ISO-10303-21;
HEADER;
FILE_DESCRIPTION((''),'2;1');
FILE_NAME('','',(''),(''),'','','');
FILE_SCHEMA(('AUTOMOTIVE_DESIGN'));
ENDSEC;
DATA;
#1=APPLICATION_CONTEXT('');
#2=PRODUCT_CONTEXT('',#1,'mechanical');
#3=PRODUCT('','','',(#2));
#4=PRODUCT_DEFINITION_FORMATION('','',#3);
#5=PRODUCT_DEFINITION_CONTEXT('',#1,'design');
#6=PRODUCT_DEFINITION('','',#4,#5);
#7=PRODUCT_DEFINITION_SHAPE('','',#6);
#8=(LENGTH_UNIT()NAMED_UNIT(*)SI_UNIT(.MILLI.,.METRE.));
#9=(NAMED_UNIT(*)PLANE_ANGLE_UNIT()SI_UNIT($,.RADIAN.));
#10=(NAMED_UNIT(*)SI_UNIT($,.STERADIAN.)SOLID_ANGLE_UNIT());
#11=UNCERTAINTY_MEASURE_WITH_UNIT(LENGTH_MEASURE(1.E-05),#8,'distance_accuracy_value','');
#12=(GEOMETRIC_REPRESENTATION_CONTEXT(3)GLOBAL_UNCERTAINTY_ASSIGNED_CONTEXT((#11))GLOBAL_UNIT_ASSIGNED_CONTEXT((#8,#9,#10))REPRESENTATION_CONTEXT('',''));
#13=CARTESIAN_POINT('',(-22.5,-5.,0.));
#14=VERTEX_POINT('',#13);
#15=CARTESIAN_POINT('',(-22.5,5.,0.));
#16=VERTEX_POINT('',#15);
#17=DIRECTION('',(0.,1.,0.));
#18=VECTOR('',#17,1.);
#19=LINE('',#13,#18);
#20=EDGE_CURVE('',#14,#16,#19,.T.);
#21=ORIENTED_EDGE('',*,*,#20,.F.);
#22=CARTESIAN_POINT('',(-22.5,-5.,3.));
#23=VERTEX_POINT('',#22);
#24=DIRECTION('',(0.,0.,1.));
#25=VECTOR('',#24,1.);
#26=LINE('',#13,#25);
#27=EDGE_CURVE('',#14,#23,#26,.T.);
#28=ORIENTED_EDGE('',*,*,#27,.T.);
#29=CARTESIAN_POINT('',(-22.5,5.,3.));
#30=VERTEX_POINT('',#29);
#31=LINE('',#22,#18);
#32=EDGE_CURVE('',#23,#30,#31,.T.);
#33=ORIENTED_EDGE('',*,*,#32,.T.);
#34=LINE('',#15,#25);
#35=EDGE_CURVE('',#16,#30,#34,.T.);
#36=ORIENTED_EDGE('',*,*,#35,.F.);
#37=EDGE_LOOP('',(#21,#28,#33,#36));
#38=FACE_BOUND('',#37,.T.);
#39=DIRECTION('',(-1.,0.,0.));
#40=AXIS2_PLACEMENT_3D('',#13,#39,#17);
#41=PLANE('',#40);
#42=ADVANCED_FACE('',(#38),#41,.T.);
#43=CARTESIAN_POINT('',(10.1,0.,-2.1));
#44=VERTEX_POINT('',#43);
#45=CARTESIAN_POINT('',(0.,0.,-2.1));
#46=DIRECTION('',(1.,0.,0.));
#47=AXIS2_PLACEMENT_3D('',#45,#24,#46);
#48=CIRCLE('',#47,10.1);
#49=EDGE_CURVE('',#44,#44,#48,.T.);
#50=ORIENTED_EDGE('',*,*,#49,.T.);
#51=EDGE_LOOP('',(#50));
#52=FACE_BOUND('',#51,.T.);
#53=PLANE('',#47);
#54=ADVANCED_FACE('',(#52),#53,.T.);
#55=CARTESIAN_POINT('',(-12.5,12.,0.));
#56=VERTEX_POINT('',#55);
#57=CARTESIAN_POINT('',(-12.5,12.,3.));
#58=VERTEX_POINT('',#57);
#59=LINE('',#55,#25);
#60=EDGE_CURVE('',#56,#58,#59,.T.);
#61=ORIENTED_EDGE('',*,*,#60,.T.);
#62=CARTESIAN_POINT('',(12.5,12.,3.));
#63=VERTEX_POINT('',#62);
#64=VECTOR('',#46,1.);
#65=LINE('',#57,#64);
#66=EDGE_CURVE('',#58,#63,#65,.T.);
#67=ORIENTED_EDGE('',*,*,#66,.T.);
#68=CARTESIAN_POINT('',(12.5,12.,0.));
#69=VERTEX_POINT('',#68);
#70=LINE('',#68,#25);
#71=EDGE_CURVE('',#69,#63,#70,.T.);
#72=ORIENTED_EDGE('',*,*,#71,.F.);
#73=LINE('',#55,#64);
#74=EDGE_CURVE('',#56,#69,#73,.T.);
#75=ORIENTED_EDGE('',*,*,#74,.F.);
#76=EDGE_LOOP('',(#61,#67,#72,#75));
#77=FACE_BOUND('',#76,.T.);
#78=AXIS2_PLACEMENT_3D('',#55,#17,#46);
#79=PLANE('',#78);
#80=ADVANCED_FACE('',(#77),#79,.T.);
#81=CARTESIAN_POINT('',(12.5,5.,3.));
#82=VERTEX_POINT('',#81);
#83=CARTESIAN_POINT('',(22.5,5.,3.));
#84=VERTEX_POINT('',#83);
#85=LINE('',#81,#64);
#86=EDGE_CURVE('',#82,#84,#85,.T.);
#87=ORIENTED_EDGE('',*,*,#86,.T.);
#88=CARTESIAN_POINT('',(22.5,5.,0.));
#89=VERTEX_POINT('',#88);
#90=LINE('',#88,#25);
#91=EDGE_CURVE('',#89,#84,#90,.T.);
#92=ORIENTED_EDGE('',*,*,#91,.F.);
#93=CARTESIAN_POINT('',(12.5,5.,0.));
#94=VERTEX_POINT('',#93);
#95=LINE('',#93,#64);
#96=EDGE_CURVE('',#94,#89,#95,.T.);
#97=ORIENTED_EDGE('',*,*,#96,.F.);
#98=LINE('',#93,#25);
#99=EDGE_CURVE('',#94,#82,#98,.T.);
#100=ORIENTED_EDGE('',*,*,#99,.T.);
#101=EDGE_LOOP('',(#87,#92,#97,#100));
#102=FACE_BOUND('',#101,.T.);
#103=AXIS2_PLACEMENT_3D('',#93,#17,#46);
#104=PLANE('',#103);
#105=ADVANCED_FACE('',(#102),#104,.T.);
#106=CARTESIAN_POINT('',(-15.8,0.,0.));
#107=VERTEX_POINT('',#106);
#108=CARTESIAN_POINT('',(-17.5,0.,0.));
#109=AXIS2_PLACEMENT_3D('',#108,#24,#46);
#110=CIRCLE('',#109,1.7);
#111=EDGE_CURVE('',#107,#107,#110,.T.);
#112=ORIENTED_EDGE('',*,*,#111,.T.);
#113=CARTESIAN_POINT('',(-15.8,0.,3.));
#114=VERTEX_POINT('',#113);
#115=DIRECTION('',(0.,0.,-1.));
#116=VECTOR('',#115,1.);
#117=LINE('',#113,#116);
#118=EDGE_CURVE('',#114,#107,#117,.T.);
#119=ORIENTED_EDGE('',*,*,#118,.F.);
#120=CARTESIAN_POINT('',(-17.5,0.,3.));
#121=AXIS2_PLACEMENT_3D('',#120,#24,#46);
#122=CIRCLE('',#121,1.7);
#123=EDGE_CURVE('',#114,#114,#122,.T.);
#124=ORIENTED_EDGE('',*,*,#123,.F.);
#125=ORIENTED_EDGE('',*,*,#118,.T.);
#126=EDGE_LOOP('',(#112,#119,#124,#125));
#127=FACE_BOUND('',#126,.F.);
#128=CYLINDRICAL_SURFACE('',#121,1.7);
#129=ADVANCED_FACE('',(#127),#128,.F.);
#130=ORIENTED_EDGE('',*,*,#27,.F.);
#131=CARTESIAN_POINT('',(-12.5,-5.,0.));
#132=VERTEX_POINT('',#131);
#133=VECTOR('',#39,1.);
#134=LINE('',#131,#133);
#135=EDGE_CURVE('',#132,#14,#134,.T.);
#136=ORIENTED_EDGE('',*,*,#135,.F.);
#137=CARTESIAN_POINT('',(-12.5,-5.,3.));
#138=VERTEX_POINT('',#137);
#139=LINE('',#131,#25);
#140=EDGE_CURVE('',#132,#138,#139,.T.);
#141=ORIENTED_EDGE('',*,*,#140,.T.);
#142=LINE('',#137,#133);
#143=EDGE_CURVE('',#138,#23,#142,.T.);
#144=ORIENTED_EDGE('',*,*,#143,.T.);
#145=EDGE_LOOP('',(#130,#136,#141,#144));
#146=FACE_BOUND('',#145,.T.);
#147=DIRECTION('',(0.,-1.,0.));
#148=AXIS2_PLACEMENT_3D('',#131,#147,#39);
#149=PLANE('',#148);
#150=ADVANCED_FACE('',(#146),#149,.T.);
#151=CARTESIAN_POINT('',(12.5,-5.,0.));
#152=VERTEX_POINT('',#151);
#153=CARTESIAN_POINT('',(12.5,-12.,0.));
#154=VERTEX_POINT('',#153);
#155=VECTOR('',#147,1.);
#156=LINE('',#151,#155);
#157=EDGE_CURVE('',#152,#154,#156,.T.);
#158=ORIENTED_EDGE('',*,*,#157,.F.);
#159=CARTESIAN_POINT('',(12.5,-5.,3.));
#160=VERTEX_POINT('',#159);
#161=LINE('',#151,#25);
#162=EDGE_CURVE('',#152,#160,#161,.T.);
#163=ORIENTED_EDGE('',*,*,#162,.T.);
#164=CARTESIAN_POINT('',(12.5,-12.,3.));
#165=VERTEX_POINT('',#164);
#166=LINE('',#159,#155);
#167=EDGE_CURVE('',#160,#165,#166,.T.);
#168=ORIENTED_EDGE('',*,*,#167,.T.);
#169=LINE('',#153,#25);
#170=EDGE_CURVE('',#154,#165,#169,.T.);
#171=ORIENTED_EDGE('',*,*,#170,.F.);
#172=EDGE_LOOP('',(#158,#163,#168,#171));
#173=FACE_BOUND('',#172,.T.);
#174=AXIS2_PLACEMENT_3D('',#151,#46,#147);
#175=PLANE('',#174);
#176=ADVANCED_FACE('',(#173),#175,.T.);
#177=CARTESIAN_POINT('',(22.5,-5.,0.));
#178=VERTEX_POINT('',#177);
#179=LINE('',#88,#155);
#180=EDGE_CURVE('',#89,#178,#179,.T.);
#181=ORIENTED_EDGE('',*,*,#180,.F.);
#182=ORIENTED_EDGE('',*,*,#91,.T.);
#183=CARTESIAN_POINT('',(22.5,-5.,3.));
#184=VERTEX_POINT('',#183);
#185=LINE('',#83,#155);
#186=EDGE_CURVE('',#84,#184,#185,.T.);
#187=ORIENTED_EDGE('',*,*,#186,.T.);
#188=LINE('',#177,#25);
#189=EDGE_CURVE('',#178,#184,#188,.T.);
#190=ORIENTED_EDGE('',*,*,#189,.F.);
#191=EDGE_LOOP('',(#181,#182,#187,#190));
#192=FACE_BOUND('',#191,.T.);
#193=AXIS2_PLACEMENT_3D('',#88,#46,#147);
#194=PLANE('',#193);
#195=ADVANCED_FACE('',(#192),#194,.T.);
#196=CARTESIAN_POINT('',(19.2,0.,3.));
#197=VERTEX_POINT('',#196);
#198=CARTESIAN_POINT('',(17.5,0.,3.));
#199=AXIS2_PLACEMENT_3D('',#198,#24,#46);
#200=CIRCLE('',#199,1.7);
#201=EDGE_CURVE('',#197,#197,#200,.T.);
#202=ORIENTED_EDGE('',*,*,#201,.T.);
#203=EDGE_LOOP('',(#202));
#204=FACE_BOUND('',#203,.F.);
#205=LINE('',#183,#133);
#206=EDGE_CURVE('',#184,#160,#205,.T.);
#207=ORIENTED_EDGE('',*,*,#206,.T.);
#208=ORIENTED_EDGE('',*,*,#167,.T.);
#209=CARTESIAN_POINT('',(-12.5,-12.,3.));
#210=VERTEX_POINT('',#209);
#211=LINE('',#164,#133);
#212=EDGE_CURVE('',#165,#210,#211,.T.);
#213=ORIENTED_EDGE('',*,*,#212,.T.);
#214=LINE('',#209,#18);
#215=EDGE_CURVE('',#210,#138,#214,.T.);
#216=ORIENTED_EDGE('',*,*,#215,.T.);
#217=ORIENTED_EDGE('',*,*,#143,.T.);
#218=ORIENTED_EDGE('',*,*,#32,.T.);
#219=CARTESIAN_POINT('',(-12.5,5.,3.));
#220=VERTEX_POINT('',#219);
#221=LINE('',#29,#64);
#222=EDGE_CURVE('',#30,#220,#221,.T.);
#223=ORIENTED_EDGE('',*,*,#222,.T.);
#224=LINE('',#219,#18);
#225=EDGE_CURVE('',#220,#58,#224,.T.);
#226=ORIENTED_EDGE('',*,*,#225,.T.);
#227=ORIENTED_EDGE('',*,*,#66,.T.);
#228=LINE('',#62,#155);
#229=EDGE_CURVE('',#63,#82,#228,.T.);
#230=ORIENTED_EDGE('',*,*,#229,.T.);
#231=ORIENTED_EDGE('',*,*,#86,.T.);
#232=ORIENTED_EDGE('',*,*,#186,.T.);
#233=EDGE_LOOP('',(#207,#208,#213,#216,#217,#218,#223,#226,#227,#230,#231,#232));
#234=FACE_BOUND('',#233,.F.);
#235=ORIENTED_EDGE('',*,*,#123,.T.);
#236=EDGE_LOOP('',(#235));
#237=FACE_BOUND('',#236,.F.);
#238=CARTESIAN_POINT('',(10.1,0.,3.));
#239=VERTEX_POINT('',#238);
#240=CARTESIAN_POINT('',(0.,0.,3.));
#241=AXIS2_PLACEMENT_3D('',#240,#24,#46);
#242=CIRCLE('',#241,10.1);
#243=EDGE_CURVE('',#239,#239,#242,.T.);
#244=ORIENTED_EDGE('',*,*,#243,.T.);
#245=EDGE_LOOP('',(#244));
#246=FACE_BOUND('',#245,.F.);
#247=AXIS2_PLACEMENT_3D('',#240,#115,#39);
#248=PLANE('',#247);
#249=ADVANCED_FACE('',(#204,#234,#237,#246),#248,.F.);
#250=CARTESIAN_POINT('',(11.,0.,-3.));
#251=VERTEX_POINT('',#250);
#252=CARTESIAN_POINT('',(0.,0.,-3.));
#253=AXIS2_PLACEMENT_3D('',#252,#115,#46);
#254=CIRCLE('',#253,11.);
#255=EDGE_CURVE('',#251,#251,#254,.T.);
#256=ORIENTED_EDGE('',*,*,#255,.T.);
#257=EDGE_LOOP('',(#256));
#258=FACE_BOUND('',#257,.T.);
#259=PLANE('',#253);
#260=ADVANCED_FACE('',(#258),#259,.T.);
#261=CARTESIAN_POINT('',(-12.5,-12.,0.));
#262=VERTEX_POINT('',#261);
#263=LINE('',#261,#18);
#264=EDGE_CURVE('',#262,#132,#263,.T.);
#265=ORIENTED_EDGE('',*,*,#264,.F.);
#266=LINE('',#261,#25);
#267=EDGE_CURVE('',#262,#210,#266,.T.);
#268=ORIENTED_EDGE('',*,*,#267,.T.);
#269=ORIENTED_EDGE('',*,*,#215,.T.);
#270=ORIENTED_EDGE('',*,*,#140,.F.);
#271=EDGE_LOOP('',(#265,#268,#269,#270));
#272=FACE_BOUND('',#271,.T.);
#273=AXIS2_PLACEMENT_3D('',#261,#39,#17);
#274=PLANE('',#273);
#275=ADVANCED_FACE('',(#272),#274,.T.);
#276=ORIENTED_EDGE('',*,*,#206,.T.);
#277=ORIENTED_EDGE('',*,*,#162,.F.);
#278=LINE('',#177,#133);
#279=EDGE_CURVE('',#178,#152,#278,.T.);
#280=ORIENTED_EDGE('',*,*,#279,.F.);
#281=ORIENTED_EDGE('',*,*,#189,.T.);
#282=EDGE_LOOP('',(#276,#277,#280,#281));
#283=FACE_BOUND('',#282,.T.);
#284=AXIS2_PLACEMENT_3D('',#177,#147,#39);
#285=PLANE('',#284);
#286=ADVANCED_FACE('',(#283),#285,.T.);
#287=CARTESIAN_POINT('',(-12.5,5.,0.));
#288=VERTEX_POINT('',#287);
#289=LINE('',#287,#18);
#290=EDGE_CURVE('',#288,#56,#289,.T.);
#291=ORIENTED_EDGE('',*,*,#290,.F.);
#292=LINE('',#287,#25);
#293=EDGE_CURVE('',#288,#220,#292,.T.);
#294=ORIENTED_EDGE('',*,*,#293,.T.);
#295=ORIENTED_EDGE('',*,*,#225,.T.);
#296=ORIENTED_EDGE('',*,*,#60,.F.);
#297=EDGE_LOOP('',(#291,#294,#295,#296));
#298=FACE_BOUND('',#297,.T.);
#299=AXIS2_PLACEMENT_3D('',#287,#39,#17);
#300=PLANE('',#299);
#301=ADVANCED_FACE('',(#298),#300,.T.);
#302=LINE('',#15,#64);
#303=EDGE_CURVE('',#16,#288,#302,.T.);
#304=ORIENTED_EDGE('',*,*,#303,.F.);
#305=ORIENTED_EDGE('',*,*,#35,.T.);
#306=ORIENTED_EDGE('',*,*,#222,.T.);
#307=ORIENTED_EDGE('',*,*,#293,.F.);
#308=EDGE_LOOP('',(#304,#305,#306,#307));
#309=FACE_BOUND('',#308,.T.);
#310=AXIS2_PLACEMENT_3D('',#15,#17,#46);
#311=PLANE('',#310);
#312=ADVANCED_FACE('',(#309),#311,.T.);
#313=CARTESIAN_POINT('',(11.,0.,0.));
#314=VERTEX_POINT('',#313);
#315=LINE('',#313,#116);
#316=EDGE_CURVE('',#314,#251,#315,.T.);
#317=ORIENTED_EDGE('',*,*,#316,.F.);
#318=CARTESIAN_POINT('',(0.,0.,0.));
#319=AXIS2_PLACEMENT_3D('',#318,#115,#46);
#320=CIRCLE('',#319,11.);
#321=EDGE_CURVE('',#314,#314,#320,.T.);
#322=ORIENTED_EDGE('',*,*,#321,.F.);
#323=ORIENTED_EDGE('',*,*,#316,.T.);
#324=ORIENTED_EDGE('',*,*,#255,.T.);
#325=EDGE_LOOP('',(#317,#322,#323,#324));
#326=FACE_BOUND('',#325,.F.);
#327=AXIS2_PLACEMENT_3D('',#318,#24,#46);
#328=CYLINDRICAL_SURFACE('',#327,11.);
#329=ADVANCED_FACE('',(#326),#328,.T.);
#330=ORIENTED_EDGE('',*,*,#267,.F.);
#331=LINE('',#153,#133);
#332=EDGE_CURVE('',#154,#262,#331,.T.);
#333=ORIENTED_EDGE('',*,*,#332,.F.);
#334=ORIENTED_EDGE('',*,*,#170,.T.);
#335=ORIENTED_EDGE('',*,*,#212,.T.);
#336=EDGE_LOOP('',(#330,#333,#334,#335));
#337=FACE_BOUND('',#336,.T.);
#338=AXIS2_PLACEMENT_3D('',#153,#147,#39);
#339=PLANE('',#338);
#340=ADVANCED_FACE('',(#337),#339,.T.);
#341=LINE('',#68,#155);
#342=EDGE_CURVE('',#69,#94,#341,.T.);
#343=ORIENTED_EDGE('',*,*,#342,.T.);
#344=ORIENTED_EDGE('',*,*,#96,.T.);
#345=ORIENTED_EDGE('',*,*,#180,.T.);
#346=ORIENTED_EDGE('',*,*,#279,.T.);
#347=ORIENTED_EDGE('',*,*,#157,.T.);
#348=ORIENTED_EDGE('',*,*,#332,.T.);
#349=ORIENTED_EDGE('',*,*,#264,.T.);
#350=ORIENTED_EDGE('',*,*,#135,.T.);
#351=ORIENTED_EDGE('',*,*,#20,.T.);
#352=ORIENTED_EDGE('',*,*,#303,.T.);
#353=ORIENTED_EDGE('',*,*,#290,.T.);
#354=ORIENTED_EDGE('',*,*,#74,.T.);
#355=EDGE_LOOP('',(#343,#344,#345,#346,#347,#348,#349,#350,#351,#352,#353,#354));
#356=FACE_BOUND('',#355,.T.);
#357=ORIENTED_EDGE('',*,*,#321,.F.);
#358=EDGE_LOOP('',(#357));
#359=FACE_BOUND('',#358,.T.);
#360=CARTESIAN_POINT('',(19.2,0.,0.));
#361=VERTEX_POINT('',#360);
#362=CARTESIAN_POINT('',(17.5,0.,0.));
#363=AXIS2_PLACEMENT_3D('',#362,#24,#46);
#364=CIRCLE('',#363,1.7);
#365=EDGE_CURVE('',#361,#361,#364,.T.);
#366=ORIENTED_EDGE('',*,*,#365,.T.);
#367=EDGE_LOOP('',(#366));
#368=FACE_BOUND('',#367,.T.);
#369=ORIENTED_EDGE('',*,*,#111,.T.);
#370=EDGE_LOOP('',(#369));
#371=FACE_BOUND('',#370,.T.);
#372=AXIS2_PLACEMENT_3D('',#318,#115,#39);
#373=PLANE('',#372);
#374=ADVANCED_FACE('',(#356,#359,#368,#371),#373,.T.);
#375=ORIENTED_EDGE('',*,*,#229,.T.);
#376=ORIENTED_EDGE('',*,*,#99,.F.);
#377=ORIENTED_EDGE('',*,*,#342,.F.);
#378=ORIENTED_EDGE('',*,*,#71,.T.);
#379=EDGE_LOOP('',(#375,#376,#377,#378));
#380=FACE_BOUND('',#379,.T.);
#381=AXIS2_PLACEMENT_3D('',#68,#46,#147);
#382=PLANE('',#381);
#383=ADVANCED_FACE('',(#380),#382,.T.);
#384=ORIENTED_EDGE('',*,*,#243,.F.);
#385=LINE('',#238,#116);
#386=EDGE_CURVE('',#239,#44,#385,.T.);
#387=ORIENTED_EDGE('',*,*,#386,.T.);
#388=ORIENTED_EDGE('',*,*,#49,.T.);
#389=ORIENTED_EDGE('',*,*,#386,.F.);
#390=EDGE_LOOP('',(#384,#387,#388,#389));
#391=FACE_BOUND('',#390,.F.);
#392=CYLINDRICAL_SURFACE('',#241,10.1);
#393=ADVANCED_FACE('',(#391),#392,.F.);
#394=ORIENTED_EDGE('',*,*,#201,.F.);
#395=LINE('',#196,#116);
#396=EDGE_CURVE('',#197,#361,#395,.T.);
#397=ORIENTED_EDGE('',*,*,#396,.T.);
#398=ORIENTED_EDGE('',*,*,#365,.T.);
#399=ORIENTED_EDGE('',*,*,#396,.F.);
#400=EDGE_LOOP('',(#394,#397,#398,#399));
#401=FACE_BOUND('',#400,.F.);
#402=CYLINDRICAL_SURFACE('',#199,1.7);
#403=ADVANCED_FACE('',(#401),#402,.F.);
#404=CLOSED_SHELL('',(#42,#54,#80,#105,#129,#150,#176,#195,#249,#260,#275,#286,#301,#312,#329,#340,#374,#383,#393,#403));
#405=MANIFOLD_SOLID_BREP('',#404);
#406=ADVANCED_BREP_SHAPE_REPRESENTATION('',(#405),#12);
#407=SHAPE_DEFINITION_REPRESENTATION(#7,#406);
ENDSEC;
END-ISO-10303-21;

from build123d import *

# Parameters (mm, degrees)
PAD_DEPTH       = 3
SKETCH001_R     = 11
PAD001_DEPTH    = 3
SKETCH002_R     = 10.1
POCKET_DEPTH    = 5.1
SKETCH003_R     = 1.7
POCKET001_DEPTH = 5


with BuildPart() as part:
    # Sketch → Pad (new body)
    with BuildSketch(Plane.XY):
        Polygon((-12.5, -5), (-22.5, -5), (-22.5, 5), (-12.5, 5), (-12.5, 12), (12.5, 12), (12.5, 5), (22.5, 5), (22.5, -5), (12.5, -5), (12.5, -12), (-12.5, -12), align=None)
    extrude(amount=PAD_DEPTH)

    # Sketch001 (on Face13 of Pad) → Pad001 (join)
    with BuildSketch(Plane(origin=(0, 0, 0), x_dir=(1, 0, 0), z_dir=(0, 0, -1))):
        Circle(SKETCH001_R)
    extrude(amount=PAD001_DEPTH)

    # Sketch002 (on Face5 of Pad001) → Pocket (cut)
    with BuildSketch(Plane.XY.offset(3)):
        Circle(SKETCH002_R)
    extrude(amount=-POCKET_DEPTH, mode=Mode.SUBTRACT)

    # Sketch003 (on Face5 of Pocket) → Pocket001 (cut)
    with BuildSketch(Plane.XY.offset(3)):
        with Locations((-17.5, 0)):
            Circle(SKETCH003_R)
        with Locations((17.5, 0)):
            Circle(SKETCH003_R)
    extrude(amount=-POCKET001_DEPTH, mode=Mode.SUBTRACT)


solid = part.part
